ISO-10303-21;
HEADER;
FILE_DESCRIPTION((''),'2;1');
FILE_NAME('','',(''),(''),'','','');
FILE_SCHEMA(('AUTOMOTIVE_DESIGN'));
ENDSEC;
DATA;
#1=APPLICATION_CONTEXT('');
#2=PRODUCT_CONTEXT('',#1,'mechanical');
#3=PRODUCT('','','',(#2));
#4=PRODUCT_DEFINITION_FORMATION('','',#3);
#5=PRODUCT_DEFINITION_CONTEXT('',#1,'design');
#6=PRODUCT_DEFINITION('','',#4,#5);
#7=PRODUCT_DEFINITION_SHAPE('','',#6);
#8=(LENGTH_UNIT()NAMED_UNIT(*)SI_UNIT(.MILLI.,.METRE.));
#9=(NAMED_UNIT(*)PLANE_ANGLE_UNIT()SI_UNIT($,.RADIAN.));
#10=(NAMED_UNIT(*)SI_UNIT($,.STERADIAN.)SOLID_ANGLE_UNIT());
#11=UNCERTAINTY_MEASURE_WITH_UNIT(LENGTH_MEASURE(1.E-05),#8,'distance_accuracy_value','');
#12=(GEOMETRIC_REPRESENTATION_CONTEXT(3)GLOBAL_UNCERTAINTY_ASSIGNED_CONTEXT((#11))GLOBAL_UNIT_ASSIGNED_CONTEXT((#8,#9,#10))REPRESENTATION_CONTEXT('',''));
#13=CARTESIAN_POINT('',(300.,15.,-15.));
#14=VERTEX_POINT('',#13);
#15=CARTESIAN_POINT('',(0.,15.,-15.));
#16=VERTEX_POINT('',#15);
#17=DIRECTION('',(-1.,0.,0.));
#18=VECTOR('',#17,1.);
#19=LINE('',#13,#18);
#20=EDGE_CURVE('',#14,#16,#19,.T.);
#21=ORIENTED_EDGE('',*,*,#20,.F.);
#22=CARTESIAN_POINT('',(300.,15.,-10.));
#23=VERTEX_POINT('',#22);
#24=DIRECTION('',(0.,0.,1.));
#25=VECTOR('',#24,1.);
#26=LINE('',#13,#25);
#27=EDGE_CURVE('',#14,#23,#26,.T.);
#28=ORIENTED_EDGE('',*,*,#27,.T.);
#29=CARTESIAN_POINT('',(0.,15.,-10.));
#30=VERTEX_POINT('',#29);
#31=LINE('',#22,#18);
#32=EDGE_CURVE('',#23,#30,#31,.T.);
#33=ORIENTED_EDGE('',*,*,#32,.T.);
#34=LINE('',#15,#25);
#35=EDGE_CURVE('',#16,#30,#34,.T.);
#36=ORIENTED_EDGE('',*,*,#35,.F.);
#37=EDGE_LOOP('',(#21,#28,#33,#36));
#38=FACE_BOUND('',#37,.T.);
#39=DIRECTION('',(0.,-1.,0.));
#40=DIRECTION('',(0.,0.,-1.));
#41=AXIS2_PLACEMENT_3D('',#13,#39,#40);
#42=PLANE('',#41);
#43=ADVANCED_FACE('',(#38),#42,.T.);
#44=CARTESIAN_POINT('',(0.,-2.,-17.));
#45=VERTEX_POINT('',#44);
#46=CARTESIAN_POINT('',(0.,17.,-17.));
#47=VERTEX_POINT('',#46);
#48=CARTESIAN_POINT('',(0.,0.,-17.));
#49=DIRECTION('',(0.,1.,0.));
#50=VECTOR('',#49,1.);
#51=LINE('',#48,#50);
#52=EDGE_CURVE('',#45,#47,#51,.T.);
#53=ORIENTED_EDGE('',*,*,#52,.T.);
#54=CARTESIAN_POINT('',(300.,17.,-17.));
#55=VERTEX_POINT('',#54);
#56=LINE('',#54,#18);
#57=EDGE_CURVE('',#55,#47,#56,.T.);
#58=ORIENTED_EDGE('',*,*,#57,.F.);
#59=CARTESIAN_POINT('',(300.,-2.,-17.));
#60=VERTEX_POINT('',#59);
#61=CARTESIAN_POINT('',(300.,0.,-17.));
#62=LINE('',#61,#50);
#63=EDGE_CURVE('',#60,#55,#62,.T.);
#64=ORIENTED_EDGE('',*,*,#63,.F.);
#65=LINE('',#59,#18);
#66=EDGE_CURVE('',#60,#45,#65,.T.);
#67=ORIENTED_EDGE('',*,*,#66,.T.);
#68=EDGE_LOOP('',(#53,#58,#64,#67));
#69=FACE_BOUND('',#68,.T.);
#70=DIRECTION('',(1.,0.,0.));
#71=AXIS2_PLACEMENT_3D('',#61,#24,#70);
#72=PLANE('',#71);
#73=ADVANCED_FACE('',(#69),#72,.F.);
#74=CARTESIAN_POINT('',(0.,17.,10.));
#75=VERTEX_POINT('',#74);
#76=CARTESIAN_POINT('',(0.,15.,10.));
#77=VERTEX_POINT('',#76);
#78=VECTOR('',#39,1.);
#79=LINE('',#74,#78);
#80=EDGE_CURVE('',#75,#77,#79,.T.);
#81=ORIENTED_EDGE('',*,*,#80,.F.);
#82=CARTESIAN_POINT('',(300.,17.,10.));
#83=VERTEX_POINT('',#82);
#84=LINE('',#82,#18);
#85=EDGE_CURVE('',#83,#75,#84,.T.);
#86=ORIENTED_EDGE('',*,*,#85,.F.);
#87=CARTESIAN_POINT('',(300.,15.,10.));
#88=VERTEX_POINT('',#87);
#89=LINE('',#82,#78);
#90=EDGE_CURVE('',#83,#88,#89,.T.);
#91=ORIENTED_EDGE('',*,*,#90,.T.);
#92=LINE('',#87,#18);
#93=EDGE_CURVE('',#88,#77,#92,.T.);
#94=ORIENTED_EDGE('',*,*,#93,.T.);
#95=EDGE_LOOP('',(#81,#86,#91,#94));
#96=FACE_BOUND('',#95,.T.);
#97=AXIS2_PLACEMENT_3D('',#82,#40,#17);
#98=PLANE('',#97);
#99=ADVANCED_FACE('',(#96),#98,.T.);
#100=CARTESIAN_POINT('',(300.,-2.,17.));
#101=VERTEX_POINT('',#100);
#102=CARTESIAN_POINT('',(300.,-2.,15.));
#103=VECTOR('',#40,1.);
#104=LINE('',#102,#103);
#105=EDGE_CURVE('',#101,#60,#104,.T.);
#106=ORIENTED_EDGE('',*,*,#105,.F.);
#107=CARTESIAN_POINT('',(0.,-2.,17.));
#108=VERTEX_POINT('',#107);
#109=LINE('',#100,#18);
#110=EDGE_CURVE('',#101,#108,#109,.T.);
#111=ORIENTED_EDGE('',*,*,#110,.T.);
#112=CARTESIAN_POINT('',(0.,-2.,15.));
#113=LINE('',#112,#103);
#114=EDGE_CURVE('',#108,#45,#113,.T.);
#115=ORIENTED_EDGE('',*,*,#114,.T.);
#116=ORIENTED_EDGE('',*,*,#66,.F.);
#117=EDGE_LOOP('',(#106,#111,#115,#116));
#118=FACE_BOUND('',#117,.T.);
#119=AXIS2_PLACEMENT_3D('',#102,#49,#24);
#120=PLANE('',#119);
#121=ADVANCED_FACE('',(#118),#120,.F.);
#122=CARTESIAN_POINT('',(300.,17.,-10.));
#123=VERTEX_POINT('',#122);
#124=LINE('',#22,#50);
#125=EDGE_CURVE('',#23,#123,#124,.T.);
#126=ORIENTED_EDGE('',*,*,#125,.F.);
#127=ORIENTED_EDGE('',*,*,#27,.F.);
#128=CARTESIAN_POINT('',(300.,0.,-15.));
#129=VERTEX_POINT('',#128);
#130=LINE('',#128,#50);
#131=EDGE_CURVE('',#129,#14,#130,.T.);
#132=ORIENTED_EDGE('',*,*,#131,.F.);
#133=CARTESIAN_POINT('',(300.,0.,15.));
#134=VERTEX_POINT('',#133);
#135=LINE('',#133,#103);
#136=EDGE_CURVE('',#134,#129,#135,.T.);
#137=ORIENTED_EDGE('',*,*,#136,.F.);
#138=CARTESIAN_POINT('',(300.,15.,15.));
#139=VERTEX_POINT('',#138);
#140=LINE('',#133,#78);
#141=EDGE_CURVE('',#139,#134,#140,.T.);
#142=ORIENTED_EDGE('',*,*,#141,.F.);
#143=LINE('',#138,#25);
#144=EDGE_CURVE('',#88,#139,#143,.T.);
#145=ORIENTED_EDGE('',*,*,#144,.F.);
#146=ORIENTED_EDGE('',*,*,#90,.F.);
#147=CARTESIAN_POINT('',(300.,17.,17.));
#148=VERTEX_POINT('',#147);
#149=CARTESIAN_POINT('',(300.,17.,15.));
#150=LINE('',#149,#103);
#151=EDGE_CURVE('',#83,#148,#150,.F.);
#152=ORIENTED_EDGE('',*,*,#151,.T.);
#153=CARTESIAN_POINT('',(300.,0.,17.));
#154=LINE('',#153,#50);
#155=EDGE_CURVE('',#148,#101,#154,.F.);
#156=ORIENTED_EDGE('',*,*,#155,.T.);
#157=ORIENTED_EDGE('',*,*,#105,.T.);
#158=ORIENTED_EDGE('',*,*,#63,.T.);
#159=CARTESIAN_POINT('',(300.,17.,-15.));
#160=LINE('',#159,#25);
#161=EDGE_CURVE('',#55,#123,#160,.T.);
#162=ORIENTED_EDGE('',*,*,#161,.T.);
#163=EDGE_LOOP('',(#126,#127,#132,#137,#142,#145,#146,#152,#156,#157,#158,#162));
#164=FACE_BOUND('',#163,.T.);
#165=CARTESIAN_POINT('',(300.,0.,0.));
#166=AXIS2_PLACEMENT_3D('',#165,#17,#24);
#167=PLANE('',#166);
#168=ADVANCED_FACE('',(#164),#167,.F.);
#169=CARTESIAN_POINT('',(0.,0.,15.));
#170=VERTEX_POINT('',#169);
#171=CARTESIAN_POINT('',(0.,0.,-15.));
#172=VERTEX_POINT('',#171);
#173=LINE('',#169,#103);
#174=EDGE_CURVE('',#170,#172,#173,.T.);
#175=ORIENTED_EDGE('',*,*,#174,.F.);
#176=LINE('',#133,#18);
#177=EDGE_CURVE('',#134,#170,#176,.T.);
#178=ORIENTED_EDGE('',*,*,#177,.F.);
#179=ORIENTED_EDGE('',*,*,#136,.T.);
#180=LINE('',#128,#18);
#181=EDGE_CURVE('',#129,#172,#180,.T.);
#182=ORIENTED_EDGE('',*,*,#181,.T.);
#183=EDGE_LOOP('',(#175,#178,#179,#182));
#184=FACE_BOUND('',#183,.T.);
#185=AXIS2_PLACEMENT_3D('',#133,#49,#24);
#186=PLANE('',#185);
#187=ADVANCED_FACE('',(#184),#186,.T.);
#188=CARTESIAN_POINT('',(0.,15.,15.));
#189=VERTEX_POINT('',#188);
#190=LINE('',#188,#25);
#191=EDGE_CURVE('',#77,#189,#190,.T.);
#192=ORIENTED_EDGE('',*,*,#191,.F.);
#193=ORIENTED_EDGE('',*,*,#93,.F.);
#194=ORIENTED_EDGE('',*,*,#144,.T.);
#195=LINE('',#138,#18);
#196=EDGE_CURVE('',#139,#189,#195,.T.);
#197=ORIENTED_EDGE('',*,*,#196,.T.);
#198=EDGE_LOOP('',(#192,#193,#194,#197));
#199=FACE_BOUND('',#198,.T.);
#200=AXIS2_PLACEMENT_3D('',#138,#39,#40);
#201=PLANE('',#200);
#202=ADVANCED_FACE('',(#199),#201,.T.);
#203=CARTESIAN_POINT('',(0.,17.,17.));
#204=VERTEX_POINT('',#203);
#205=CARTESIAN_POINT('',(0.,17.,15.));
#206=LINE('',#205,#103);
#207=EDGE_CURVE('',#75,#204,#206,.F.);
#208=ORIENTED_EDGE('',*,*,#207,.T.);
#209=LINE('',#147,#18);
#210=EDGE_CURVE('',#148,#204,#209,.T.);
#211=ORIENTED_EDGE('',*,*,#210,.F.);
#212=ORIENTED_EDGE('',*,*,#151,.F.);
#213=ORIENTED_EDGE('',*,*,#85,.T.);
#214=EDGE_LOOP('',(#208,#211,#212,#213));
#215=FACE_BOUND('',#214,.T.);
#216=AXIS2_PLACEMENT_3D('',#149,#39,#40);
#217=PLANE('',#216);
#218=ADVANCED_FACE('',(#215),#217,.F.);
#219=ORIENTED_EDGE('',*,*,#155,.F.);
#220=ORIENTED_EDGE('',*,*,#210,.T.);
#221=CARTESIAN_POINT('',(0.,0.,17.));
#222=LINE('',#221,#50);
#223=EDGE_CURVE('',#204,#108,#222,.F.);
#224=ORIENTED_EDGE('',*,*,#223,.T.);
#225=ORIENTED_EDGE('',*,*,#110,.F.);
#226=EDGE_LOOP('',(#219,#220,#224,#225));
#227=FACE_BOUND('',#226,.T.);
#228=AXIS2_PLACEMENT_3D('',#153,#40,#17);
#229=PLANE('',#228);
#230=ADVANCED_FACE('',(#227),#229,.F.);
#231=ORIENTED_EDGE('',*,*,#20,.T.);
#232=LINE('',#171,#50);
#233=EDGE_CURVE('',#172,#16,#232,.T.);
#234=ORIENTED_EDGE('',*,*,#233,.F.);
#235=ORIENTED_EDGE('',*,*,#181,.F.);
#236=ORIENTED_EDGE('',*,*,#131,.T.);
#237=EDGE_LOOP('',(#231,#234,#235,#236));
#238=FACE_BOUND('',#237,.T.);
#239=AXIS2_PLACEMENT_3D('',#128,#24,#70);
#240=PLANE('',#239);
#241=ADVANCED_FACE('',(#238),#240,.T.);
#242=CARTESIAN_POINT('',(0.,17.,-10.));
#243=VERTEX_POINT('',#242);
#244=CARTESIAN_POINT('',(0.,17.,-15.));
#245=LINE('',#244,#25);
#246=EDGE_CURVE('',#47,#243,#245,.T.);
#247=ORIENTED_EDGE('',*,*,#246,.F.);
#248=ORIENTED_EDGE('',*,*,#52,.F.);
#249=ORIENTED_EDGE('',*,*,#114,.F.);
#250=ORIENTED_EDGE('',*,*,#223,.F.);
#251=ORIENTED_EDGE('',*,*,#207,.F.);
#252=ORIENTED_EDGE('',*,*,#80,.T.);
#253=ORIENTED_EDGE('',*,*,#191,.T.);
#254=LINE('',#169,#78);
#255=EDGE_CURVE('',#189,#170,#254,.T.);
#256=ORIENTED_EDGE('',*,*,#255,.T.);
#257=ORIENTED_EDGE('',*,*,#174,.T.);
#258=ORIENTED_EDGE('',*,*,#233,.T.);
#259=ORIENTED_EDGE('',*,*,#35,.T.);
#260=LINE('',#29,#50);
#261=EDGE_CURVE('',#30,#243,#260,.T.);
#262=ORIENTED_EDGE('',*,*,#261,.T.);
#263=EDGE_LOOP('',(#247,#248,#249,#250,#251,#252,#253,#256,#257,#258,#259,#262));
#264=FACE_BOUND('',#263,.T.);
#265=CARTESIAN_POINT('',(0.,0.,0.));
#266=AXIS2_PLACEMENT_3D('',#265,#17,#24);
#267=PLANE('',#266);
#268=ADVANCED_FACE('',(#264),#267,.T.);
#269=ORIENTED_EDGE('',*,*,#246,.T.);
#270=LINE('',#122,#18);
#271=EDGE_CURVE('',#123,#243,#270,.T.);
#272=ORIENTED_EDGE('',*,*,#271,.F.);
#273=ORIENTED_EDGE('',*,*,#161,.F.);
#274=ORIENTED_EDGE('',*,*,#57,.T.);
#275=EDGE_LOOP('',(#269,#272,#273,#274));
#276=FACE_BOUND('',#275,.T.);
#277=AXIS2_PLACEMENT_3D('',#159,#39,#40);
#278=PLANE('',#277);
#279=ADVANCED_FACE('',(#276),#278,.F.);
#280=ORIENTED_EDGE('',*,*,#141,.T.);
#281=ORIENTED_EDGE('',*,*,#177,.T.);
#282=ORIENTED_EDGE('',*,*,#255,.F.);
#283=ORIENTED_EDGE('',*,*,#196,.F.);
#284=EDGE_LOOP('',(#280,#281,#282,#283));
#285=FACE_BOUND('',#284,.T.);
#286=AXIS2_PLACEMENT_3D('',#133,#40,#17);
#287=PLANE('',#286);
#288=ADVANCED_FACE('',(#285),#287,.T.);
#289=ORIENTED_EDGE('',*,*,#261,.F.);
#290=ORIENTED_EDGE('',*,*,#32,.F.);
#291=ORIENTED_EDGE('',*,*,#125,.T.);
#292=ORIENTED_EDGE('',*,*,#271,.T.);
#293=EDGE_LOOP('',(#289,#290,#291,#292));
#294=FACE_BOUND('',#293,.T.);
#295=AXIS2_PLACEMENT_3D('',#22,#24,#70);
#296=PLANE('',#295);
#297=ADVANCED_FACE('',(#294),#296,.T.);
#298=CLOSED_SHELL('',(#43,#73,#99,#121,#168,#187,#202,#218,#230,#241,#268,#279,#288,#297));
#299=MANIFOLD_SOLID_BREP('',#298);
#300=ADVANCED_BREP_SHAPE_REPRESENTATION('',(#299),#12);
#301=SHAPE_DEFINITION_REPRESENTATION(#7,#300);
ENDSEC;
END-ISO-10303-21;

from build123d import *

# Parameters (mm, degrees)
EXTRUDE_1_DEPTH = 300


with BuildPart() as part:
    # Эскиз1 → Вытянуть-Тонкостенный1 (new body)
    with BuildSketch(Plane(origin=(0, 0, 0), x_dir=(0, 0, -1), z_dir=(1, 0, 0))):
        Polygon((-10, 15), (-15, 15), (-15, 0), (15, 0), (15, 15), (10, 15), (10, 17), (17, 17), (17, -2), (-17, -2), (-17, 17), (-10, 17), align=None)
    extrude(amount=EXTRUDE_1_DEPTH)


solid = part.part
